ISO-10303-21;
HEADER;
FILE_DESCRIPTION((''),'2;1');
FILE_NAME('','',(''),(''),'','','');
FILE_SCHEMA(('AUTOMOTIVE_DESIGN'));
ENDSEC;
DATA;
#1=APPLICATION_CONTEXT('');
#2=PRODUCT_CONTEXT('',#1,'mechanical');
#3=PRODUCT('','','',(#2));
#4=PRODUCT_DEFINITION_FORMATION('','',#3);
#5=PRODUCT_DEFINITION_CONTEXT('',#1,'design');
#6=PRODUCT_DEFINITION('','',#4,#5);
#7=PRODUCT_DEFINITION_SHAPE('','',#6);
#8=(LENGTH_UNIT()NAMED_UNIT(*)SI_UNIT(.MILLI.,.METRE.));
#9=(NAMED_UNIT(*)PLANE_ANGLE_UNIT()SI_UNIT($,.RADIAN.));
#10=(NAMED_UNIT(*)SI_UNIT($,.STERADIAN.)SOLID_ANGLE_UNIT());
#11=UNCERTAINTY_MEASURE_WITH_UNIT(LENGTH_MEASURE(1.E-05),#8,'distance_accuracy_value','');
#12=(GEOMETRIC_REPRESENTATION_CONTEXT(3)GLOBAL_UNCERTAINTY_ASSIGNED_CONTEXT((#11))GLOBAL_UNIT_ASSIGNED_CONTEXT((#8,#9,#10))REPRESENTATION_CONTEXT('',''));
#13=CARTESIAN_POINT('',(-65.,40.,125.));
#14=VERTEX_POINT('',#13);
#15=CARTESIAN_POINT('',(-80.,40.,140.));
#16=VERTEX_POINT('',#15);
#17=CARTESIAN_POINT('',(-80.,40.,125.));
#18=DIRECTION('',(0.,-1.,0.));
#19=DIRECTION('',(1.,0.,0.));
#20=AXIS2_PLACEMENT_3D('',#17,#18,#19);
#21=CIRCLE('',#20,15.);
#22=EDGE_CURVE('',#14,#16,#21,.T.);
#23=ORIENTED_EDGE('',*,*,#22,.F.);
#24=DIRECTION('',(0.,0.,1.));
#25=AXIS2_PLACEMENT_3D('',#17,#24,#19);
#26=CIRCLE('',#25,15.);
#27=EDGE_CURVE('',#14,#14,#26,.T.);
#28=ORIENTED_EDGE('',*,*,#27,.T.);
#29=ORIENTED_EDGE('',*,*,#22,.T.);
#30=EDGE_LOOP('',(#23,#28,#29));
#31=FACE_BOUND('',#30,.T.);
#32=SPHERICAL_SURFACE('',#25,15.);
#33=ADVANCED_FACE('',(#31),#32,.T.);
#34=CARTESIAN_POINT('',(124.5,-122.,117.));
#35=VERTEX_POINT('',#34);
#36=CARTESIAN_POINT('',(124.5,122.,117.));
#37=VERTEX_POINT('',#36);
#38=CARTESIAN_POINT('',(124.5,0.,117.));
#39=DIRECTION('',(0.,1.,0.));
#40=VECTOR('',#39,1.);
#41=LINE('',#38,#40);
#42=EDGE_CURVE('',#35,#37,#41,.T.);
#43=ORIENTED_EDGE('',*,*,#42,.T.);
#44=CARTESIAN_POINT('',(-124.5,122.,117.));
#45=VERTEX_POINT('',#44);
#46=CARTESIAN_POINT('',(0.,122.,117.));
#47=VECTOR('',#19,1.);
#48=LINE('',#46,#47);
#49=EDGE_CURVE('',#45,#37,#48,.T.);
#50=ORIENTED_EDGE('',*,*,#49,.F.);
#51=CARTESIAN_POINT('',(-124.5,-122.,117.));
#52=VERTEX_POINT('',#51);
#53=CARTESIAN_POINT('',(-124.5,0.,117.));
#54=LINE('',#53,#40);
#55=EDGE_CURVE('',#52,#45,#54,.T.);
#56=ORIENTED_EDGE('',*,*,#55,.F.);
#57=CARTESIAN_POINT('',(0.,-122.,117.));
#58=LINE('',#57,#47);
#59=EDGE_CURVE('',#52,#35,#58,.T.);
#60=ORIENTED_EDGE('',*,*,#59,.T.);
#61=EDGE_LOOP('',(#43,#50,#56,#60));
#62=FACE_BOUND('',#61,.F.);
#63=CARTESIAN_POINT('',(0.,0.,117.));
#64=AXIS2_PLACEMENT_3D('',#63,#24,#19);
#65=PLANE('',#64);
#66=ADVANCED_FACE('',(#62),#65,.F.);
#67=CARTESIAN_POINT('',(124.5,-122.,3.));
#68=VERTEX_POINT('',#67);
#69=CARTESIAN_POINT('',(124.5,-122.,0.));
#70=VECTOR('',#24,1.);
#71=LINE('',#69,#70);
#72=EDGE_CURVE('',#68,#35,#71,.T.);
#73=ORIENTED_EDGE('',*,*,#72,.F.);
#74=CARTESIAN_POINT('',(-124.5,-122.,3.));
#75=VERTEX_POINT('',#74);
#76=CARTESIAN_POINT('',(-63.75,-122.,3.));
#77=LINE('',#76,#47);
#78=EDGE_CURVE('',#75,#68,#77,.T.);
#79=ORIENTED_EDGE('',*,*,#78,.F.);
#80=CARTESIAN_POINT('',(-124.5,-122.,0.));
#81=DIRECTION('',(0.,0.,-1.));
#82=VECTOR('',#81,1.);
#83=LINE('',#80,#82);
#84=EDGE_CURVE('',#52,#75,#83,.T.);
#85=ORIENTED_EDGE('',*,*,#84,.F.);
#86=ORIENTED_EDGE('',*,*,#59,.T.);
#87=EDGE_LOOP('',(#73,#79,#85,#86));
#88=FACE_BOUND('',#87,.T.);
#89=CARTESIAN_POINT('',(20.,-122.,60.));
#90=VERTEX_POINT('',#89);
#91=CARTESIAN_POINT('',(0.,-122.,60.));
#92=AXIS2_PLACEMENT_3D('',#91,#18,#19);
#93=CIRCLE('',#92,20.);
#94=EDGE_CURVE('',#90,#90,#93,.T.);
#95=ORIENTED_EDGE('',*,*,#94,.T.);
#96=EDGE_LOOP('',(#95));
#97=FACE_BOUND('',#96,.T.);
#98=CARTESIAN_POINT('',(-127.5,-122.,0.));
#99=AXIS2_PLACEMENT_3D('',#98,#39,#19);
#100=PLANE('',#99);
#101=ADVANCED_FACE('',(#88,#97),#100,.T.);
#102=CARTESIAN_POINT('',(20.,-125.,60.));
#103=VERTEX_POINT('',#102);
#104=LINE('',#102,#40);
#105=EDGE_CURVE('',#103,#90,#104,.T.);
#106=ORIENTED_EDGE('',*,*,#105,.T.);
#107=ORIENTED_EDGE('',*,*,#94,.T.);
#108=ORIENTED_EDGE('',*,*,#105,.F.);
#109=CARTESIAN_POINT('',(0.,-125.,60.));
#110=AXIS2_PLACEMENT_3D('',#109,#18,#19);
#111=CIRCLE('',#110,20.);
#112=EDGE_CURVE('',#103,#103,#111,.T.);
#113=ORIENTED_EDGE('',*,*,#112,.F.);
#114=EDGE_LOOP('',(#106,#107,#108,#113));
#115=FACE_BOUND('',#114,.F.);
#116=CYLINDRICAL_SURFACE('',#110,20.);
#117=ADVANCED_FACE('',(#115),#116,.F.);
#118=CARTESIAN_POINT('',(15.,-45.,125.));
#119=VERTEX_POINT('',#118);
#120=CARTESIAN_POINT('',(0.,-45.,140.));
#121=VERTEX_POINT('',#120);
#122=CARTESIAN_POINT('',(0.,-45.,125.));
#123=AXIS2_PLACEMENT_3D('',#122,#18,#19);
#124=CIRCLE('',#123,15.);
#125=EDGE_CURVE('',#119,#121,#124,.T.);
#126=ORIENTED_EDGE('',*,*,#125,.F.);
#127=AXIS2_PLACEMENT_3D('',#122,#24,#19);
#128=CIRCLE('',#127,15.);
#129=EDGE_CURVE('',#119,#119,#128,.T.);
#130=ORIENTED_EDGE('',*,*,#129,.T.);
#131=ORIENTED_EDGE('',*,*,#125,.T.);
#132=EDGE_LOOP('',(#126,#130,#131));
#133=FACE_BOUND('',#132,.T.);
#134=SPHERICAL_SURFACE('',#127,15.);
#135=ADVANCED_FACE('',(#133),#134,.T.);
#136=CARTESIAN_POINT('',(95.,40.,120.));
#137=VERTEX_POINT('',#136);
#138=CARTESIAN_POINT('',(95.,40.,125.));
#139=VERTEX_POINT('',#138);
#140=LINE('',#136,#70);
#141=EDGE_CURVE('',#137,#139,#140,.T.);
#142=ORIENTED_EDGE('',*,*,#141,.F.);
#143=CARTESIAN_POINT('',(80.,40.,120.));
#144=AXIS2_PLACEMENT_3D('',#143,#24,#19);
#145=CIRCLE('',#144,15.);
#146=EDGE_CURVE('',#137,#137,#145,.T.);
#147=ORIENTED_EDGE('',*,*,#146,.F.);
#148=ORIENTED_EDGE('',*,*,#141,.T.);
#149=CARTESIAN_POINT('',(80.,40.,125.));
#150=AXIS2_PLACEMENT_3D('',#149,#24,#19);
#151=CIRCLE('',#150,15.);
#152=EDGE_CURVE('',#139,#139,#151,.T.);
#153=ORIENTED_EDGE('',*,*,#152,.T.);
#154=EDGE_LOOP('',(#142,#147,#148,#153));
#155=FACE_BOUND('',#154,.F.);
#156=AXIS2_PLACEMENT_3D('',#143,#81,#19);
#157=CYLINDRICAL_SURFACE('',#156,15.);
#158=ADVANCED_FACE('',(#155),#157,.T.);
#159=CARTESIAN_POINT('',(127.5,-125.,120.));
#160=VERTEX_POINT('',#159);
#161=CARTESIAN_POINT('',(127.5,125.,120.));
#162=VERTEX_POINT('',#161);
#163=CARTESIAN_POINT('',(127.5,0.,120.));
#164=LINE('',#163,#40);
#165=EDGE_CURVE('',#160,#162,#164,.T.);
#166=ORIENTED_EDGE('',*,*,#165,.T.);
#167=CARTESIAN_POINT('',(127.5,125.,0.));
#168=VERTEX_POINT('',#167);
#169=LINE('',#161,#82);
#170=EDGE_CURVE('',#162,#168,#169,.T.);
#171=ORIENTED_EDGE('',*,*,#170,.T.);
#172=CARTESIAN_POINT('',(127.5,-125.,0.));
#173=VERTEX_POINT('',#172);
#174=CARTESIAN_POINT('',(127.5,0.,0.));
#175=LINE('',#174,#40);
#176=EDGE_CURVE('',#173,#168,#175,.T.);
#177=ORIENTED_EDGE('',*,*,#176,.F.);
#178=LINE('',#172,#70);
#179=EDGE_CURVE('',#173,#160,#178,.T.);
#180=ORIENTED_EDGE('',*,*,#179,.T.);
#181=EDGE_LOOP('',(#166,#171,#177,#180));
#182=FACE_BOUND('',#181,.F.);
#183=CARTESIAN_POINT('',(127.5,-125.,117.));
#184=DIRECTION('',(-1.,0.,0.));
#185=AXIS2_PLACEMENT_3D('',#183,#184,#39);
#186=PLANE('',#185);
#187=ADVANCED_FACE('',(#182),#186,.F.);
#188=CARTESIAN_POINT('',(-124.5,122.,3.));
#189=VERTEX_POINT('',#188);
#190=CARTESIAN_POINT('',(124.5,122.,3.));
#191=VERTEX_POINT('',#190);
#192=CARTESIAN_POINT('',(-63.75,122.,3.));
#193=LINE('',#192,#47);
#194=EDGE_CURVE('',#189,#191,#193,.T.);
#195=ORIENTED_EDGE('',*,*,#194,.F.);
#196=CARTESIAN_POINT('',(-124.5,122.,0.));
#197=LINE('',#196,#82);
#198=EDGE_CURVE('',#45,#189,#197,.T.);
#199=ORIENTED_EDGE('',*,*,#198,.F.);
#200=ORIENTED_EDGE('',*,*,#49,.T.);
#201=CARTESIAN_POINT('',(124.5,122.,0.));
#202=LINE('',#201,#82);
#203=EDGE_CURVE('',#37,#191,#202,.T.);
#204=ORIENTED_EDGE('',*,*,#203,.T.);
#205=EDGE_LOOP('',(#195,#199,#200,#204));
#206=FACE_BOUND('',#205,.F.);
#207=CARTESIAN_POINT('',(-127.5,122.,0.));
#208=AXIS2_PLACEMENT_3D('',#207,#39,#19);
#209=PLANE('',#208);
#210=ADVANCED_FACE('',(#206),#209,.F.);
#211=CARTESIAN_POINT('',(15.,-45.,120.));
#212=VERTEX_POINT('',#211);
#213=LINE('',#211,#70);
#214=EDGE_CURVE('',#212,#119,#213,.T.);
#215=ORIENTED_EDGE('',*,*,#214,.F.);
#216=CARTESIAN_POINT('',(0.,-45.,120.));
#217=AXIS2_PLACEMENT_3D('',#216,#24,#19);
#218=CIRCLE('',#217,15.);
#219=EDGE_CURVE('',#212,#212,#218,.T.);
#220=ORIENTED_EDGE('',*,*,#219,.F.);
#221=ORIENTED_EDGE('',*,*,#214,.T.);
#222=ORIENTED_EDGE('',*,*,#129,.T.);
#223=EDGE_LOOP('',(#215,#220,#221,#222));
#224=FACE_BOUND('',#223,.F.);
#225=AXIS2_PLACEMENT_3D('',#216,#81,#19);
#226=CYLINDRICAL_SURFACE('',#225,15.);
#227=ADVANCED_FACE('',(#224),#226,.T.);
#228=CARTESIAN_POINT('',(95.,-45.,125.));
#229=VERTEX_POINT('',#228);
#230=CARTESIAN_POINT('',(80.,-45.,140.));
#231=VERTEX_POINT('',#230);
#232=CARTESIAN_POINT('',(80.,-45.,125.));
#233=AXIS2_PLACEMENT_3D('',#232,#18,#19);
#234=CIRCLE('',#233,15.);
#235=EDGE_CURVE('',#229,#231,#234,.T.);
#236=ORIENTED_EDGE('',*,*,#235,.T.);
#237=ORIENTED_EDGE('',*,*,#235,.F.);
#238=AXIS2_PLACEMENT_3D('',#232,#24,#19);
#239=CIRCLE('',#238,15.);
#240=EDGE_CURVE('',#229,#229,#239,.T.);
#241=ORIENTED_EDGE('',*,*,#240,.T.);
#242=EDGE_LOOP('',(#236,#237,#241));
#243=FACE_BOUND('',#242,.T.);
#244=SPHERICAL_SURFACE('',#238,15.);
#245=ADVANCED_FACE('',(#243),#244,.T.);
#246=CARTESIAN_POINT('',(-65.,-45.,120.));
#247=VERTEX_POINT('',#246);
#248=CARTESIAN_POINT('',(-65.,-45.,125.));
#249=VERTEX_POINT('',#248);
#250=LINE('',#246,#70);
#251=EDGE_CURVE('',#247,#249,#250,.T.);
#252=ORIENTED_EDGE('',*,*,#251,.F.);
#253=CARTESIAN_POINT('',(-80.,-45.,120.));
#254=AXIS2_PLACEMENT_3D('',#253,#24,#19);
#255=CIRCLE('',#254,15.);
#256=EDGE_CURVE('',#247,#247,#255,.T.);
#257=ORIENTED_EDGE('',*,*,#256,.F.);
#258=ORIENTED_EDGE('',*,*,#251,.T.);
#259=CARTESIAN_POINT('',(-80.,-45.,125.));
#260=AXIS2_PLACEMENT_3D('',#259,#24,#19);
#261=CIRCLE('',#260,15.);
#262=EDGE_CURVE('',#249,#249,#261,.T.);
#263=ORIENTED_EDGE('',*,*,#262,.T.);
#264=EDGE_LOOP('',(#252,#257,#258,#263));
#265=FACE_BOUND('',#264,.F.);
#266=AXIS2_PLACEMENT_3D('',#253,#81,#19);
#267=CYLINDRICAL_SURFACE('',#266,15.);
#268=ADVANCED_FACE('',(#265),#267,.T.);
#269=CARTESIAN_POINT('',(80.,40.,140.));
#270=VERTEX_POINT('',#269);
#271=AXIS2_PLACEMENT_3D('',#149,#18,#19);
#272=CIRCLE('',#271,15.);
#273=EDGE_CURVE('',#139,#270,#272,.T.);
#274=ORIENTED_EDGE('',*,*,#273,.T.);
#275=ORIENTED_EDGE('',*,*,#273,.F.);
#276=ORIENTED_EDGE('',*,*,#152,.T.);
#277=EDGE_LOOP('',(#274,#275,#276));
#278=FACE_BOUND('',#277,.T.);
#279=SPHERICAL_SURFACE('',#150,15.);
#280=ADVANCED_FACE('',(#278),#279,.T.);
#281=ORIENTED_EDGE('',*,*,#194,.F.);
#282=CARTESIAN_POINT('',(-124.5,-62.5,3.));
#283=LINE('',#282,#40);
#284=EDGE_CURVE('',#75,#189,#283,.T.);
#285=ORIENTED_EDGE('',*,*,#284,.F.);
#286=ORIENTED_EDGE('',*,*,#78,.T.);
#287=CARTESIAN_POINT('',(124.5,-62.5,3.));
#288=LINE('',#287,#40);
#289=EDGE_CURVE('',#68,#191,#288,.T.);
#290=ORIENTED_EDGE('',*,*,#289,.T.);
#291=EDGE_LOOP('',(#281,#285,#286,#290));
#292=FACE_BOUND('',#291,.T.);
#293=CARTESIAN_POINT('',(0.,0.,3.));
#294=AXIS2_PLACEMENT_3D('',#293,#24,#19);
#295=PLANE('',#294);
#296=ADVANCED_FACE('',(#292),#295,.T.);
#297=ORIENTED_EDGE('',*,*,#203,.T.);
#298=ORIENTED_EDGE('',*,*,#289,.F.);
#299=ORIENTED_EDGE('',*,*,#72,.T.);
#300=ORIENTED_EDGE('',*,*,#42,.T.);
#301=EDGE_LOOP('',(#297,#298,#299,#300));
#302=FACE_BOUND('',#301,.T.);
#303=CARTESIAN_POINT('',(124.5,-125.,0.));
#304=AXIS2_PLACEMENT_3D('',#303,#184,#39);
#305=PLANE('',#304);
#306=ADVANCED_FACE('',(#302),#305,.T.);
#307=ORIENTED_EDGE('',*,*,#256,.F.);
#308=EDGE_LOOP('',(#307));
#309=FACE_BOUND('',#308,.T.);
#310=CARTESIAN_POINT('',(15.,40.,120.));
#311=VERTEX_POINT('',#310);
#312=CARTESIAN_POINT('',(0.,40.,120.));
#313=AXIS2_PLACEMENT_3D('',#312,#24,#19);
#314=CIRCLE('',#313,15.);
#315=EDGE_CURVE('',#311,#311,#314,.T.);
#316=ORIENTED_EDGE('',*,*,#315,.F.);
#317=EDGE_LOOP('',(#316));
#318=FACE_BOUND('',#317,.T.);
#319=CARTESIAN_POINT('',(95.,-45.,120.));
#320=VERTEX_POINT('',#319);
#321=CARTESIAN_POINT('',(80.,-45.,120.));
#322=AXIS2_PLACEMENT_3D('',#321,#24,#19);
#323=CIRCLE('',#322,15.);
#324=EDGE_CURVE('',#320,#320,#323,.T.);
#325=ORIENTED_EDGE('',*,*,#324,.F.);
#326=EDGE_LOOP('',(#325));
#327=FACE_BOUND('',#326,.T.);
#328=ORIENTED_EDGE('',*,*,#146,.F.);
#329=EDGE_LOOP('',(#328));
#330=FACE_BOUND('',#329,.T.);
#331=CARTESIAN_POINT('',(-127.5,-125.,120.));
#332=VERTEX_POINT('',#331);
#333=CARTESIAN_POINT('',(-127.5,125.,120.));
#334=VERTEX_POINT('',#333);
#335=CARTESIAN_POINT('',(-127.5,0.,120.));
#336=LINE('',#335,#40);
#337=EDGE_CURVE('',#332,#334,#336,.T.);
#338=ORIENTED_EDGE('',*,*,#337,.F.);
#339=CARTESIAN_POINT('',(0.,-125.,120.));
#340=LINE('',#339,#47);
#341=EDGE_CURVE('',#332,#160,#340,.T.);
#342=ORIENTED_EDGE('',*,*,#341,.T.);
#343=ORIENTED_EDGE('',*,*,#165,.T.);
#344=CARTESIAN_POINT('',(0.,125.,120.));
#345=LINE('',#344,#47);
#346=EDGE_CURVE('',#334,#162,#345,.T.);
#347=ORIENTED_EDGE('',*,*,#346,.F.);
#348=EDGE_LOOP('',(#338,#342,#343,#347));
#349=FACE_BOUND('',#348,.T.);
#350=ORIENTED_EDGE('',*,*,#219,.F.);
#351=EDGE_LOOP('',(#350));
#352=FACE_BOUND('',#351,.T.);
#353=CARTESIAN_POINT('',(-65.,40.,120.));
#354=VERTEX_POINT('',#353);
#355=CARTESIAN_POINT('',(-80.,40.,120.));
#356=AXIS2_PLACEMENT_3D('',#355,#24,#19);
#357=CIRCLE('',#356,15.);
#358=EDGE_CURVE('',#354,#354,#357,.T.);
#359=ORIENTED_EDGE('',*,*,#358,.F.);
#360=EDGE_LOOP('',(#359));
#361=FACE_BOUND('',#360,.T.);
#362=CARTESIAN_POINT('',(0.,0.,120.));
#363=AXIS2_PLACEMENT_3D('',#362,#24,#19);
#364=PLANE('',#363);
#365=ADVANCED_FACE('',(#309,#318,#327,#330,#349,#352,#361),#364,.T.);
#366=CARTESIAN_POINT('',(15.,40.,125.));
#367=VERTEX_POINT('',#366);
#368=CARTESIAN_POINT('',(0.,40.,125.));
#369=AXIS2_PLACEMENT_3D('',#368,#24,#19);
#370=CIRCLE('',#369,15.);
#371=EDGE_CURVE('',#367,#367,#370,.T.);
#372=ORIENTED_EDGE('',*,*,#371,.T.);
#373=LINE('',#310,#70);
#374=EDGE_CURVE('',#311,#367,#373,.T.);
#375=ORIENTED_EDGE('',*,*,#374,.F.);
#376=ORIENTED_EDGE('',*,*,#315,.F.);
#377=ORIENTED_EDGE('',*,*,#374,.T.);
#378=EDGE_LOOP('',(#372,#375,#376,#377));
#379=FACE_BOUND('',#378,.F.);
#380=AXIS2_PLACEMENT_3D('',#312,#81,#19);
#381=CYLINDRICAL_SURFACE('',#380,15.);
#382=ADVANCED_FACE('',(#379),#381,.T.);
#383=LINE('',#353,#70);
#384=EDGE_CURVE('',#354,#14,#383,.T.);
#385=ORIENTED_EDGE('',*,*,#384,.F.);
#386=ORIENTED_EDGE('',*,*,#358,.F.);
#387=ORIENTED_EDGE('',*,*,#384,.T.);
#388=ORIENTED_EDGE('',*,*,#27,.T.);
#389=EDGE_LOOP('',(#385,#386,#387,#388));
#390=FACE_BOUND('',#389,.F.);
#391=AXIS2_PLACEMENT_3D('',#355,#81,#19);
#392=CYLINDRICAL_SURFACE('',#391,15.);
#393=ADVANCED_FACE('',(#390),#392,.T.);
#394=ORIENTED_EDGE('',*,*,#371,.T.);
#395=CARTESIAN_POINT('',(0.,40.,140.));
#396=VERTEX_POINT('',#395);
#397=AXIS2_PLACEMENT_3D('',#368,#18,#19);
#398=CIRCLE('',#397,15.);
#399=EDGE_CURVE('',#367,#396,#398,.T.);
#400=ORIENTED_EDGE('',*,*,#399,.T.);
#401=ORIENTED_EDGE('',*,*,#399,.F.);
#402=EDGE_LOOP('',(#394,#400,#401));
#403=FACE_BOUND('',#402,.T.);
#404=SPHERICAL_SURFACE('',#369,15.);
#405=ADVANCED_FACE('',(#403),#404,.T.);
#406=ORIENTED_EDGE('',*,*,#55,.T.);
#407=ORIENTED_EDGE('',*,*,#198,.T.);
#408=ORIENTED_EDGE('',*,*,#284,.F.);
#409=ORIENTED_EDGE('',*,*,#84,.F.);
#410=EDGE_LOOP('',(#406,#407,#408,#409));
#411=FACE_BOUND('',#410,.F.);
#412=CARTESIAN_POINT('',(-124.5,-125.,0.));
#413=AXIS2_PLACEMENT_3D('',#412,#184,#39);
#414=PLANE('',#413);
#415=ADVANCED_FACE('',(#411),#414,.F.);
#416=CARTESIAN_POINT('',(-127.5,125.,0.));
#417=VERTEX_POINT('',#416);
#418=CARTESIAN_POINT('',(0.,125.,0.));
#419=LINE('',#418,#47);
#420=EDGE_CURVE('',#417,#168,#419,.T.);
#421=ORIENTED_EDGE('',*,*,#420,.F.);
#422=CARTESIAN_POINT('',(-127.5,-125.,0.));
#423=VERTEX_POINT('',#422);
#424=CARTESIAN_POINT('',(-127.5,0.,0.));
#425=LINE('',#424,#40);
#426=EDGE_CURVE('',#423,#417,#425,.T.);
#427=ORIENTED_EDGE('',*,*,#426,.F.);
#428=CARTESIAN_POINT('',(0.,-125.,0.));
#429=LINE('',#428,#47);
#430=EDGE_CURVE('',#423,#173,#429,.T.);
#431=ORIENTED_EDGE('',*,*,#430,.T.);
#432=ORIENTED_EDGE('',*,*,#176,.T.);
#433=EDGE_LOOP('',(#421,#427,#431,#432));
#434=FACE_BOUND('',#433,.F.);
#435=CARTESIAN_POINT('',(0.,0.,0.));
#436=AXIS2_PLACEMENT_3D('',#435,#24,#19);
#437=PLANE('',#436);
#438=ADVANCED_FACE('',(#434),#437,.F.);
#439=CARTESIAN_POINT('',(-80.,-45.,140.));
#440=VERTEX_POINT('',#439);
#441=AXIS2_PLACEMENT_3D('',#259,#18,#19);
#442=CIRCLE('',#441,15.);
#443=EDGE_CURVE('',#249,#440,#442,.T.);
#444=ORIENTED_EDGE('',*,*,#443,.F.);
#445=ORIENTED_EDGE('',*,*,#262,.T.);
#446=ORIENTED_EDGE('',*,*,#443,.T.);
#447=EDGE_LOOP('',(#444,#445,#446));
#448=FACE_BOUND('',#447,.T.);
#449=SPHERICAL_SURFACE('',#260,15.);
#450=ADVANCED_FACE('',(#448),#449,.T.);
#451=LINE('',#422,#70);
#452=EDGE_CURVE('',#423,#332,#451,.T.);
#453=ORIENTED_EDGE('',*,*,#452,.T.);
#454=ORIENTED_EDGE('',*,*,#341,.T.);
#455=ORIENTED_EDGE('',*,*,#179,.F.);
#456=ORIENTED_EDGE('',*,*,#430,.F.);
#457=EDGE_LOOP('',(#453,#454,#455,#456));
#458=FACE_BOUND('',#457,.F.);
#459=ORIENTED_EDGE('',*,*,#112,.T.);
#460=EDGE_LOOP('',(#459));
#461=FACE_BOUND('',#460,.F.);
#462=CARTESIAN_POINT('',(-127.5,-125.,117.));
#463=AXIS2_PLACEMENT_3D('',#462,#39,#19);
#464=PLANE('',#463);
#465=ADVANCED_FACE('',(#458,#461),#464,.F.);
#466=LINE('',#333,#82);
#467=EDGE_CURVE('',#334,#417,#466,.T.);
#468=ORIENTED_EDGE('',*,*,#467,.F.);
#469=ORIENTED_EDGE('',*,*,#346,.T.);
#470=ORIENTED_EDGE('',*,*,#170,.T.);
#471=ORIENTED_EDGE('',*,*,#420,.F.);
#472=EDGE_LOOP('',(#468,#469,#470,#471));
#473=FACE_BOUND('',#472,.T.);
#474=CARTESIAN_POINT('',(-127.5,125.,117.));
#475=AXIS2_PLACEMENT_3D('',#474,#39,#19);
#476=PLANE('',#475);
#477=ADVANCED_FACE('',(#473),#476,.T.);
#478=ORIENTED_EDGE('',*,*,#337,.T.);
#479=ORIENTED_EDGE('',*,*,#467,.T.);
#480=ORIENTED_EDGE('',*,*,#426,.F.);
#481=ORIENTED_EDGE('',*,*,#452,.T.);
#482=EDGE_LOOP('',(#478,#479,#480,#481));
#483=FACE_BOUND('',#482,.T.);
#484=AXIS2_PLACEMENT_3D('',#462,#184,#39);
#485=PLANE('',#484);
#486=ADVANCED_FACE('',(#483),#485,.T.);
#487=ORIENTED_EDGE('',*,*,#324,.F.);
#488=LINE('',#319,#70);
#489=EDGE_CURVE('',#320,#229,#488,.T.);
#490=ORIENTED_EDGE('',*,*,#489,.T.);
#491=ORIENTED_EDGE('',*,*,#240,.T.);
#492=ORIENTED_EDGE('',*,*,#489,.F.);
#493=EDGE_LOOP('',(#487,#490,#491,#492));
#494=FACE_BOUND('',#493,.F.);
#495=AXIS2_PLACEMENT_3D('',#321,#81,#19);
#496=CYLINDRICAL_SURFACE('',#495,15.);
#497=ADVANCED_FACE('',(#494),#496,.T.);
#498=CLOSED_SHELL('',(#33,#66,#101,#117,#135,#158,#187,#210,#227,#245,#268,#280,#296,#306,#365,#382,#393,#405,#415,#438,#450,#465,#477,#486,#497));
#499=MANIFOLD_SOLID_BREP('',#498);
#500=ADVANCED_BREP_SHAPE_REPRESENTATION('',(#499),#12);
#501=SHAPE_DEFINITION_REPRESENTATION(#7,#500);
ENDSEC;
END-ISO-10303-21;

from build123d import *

# Parameters (mm, degrees)
F0_W     = 255
F0_H     = 250
F1_DEPTH = 117
F2_T     = -3
F3_W     = 255
F3_H     = 250
F4_DEPTH = 3
F5_R     = 20
F6_DEPTH = 25
F7_R     = 15
F8_DEPTH = 20
F9_R     = 15


with BuildPart() as f1:
    # F0 (on Top) → F1 (new body)
    with BuildSketch(Plane.XY):
        Rectangle(F0_W, F0_H)
    extrude(amount=F1_DEPTH)

    # F2
    f2_openings = [f1.faces().sort_by_distance(p)[0] for p in [
        (0, 0, 117),
    ]]
    offset(amount=F2_T, openings=f2_openings)

    # F3 (on face) → F4 (join)
    with BuildSketch(Plane.XY.offset(117)):
        Rectangle(F3_W, F3_H)
    extrude(amount=F4_DEPTH)

    # F5 (on face) → F6 (cut)
    with BuildSketch(Plane.XZ.offset(125)):
        with Locations((0, 60)):
            Circle(F5_R)
    extrude(amount=-F6_DEPTH, mode=Mode.SUBTRACT)

    # F7 (on face) → F8 (join)
    with BuildSketch(Plane.XY.offset(120)):
        with Locations((-80, 40)):
            Circle(F7_R)
        with Locations((0, 40)):
            Circle(F7_R)
        with Locations((80, 40)):
            Circle(F7_R)
        with Locations((-80, -45)):
            Circle(F7_R)
        with Locations((0, -45)):
            Circle(F7_R)
        with Locations((80, -45)):
            Circle(F7_R)
    extrude(amount=F8_DEPTH)

    # F9
    f9_edges = [f1.edges().sort_by_distance(p)[0] for p in [
        (-15, 40, 140),
        (-95, 40, 140),
        (65, 40, 140),
        (65, -45, 140),
        (-15, -45, 140),
        (-95, -45, 140),
    ]]
    fillet(f9_edges, radius=F9_R)


solid = f1.part
